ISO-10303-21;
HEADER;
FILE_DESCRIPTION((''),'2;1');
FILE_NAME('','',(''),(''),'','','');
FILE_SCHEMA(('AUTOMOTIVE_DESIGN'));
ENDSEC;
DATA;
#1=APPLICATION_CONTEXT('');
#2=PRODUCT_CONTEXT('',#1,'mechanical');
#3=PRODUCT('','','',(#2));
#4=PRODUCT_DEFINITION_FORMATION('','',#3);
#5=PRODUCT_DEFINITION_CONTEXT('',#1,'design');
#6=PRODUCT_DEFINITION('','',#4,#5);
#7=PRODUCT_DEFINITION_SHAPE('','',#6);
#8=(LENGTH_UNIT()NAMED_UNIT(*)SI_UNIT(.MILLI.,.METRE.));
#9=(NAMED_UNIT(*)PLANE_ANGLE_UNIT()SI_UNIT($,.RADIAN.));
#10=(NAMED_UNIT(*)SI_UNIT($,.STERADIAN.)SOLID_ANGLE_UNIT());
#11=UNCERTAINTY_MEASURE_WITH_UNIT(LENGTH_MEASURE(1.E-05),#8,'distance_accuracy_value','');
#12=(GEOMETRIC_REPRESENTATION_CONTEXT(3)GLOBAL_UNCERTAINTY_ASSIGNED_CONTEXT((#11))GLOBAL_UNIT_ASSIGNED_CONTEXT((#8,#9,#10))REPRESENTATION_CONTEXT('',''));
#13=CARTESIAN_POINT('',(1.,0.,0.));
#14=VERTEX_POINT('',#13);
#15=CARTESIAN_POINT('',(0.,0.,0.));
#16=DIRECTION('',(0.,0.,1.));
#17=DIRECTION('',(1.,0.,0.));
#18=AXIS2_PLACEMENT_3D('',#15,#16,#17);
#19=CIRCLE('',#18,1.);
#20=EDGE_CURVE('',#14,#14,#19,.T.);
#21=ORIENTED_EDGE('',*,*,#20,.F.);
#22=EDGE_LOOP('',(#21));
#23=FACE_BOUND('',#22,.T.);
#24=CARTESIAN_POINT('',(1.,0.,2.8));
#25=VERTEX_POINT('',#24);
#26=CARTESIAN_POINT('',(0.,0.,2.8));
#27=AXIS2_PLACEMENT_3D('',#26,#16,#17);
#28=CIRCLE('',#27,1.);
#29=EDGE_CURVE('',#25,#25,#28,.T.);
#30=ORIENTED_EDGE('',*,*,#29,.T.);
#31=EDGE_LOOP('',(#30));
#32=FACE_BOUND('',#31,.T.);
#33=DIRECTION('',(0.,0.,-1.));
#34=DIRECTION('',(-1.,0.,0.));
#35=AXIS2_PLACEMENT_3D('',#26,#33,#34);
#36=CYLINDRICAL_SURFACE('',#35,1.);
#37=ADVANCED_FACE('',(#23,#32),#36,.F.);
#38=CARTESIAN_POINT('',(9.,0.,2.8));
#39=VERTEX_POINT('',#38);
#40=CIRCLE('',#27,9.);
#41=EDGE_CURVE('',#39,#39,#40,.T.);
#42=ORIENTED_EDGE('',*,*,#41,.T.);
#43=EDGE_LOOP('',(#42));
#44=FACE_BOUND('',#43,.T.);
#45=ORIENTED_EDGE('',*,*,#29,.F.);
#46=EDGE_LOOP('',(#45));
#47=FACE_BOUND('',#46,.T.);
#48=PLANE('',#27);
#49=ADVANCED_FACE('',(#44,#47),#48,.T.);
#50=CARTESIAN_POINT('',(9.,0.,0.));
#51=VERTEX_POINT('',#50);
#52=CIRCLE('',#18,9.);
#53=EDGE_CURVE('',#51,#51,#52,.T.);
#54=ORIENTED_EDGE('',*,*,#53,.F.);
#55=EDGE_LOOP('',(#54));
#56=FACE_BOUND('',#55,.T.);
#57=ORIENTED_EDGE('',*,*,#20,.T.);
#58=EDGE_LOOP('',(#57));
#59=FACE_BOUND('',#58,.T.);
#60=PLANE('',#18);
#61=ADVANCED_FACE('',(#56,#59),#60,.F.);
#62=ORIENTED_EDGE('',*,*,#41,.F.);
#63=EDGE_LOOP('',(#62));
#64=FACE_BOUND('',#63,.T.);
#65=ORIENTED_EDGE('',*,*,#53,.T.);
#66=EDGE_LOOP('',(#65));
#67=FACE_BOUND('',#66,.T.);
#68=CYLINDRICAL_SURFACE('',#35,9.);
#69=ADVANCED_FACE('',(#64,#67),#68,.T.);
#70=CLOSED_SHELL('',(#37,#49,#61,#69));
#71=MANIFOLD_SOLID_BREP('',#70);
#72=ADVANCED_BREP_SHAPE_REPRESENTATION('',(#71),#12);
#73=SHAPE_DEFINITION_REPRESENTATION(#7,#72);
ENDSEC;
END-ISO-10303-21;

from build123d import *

# Parameters (mm, degrees)
SKETCH_1_R      = 9
SKETCH_1_R_2    = 1
EXTRUDE_1_DEPTH = 2.8


with BuildPart() as part:
    # 草圖1 → 填料-伸長1 (new body)
    with BuildSketch(Plane.XY):
        Circle(SKETCH_1_R)
        Circle(SKETCH_1_R_2, mode=Mode.SUBTRACT)
    extrude(amount=EXTRUDE_1_DEPTH)


solid = part.part
